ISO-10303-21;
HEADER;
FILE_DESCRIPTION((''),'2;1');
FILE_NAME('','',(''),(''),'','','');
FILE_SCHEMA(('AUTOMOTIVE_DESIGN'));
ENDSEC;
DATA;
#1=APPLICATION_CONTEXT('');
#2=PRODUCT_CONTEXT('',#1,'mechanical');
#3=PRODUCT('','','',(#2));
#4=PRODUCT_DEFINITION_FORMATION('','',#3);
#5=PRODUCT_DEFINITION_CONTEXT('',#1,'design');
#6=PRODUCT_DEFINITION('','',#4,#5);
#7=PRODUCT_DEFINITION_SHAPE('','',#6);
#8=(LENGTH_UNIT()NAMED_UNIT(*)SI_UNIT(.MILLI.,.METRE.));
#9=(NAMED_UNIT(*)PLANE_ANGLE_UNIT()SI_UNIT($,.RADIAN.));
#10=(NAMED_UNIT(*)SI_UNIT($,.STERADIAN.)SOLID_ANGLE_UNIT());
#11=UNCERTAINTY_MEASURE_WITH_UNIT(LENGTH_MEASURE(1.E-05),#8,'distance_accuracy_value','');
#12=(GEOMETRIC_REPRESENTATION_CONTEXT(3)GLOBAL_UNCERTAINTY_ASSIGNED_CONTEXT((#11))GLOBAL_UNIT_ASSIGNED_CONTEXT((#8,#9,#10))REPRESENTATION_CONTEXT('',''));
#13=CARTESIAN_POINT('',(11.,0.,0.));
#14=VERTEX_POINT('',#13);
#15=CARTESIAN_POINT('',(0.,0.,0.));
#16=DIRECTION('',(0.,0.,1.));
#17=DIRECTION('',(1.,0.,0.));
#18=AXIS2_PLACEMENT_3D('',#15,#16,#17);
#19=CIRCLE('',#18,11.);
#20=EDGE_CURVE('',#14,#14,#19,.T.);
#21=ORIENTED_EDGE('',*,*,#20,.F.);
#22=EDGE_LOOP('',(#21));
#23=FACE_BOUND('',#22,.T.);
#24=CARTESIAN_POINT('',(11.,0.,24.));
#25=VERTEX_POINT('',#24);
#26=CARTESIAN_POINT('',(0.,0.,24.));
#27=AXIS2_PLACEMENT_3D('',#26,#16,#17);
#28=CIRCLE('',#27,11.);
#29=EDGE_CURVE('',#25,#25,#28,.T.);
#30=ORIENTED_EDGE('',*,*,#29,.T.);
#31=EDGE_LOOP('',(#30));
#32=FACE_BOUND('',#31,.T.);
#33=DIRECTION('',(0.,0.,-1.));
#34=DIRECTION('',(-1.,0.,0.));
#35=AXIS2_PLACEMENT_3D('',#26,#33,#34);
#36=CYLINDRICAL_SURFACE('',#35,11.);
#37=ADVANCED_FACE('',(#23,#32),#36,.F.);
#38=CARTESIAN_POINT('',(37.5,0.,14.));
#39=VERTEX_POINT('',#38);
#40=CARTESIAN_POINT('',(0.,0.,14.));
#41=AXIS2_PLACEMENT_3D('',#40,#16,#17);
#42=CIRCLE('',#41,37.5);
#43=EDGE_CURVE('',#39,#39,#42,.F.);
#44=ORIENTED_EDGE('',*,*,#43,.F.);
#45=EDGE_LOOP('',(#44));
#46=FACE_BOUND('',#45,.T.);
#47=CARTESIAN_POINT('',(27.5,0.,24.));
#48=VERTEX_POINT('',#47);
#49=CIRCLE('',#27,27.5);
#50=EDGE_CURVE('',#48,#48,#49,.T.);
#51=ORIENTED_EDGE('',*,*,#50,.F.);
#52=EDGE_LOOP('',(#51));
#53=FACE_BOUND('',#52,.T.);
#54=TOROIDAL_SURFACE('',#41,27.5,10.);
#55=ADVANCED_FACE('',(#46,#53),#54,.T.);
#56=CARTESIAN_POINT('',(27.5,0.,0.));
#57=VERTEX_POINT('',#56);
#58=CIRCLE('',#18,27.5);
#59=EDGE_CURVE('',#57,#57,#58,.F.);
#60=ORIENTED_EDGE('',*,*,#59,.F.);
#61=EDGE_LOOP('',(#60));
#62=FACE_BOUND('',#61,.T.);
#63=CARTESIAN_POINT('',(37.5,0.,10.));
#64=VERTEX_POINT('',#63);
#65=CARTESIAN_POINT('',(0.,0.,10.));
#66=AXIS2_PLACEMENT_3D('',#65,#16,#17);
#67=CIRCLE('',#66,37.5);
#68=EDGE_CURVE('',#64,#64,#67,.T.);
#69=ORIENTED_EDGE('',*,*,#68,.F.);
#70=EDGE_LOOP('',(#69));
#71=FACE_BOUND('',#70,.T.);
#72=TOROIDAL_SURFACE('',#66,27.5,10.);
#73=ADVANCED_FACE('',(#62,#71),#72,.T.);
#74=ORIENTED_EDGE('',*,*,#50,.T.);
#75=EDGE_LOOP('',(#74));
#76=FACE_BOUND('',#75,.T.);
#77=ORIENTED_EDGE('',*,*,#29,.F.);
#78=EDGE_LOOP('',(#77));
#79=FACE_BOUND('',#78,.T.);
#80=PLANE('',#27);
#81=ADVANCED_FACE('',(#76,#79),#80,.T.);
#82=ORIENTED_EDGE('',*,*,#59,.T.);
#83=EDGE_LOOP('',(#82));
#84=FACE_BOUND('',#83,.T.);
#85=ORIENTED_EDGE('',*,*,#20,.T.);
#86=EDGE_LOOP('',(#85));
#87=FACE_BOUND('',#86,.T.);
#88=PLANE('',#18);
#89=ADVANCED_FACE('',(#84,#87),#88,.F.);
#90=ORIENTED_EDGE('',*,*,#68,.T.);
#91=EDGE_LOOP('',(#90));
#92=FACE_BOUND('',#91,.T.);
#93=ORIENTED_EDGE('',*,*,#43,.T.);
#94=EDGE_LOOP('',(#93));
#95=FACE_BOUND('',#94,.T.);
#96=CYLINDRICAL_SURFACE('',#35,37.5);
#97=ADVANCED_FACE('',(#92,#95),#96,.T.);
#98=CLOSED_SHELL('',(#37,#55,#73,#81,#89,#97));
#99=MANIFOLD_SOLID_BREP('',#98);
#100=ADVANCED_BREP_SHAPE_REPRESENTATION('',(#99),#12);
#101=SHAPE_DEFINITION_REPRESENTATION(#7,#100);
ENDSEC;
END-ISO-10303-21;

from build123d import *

# Parameters (mm, degrees)
SKETCH_1_R      = 37.5
SKETCH_1_R_2    = 11
EXTRUDE_1_DEPTH = 24
FILLET_1_R      = 10


with BuildPart() as part:
    # 草图1 → 凸台-拉伸1 (new body)
    with BuildSketch(Plane.XY):
        Circle(SKETCH_1_R)
        Circle(SKETCH_1_R_2, mode=Mode.SUBTRACT)
    extrude(amount=EXTRUDE_1_DEPTH)

    # 圆角1
    fillet_1_edges = [part.edges().sort_by_distance(p)[0] for p in [
        (-37.5, 0, 0),
        (-37.5, 0, 24),
    ]]
    fillet(fillet_1_edges, radius=FILLET_1_R)


solid = part.part
